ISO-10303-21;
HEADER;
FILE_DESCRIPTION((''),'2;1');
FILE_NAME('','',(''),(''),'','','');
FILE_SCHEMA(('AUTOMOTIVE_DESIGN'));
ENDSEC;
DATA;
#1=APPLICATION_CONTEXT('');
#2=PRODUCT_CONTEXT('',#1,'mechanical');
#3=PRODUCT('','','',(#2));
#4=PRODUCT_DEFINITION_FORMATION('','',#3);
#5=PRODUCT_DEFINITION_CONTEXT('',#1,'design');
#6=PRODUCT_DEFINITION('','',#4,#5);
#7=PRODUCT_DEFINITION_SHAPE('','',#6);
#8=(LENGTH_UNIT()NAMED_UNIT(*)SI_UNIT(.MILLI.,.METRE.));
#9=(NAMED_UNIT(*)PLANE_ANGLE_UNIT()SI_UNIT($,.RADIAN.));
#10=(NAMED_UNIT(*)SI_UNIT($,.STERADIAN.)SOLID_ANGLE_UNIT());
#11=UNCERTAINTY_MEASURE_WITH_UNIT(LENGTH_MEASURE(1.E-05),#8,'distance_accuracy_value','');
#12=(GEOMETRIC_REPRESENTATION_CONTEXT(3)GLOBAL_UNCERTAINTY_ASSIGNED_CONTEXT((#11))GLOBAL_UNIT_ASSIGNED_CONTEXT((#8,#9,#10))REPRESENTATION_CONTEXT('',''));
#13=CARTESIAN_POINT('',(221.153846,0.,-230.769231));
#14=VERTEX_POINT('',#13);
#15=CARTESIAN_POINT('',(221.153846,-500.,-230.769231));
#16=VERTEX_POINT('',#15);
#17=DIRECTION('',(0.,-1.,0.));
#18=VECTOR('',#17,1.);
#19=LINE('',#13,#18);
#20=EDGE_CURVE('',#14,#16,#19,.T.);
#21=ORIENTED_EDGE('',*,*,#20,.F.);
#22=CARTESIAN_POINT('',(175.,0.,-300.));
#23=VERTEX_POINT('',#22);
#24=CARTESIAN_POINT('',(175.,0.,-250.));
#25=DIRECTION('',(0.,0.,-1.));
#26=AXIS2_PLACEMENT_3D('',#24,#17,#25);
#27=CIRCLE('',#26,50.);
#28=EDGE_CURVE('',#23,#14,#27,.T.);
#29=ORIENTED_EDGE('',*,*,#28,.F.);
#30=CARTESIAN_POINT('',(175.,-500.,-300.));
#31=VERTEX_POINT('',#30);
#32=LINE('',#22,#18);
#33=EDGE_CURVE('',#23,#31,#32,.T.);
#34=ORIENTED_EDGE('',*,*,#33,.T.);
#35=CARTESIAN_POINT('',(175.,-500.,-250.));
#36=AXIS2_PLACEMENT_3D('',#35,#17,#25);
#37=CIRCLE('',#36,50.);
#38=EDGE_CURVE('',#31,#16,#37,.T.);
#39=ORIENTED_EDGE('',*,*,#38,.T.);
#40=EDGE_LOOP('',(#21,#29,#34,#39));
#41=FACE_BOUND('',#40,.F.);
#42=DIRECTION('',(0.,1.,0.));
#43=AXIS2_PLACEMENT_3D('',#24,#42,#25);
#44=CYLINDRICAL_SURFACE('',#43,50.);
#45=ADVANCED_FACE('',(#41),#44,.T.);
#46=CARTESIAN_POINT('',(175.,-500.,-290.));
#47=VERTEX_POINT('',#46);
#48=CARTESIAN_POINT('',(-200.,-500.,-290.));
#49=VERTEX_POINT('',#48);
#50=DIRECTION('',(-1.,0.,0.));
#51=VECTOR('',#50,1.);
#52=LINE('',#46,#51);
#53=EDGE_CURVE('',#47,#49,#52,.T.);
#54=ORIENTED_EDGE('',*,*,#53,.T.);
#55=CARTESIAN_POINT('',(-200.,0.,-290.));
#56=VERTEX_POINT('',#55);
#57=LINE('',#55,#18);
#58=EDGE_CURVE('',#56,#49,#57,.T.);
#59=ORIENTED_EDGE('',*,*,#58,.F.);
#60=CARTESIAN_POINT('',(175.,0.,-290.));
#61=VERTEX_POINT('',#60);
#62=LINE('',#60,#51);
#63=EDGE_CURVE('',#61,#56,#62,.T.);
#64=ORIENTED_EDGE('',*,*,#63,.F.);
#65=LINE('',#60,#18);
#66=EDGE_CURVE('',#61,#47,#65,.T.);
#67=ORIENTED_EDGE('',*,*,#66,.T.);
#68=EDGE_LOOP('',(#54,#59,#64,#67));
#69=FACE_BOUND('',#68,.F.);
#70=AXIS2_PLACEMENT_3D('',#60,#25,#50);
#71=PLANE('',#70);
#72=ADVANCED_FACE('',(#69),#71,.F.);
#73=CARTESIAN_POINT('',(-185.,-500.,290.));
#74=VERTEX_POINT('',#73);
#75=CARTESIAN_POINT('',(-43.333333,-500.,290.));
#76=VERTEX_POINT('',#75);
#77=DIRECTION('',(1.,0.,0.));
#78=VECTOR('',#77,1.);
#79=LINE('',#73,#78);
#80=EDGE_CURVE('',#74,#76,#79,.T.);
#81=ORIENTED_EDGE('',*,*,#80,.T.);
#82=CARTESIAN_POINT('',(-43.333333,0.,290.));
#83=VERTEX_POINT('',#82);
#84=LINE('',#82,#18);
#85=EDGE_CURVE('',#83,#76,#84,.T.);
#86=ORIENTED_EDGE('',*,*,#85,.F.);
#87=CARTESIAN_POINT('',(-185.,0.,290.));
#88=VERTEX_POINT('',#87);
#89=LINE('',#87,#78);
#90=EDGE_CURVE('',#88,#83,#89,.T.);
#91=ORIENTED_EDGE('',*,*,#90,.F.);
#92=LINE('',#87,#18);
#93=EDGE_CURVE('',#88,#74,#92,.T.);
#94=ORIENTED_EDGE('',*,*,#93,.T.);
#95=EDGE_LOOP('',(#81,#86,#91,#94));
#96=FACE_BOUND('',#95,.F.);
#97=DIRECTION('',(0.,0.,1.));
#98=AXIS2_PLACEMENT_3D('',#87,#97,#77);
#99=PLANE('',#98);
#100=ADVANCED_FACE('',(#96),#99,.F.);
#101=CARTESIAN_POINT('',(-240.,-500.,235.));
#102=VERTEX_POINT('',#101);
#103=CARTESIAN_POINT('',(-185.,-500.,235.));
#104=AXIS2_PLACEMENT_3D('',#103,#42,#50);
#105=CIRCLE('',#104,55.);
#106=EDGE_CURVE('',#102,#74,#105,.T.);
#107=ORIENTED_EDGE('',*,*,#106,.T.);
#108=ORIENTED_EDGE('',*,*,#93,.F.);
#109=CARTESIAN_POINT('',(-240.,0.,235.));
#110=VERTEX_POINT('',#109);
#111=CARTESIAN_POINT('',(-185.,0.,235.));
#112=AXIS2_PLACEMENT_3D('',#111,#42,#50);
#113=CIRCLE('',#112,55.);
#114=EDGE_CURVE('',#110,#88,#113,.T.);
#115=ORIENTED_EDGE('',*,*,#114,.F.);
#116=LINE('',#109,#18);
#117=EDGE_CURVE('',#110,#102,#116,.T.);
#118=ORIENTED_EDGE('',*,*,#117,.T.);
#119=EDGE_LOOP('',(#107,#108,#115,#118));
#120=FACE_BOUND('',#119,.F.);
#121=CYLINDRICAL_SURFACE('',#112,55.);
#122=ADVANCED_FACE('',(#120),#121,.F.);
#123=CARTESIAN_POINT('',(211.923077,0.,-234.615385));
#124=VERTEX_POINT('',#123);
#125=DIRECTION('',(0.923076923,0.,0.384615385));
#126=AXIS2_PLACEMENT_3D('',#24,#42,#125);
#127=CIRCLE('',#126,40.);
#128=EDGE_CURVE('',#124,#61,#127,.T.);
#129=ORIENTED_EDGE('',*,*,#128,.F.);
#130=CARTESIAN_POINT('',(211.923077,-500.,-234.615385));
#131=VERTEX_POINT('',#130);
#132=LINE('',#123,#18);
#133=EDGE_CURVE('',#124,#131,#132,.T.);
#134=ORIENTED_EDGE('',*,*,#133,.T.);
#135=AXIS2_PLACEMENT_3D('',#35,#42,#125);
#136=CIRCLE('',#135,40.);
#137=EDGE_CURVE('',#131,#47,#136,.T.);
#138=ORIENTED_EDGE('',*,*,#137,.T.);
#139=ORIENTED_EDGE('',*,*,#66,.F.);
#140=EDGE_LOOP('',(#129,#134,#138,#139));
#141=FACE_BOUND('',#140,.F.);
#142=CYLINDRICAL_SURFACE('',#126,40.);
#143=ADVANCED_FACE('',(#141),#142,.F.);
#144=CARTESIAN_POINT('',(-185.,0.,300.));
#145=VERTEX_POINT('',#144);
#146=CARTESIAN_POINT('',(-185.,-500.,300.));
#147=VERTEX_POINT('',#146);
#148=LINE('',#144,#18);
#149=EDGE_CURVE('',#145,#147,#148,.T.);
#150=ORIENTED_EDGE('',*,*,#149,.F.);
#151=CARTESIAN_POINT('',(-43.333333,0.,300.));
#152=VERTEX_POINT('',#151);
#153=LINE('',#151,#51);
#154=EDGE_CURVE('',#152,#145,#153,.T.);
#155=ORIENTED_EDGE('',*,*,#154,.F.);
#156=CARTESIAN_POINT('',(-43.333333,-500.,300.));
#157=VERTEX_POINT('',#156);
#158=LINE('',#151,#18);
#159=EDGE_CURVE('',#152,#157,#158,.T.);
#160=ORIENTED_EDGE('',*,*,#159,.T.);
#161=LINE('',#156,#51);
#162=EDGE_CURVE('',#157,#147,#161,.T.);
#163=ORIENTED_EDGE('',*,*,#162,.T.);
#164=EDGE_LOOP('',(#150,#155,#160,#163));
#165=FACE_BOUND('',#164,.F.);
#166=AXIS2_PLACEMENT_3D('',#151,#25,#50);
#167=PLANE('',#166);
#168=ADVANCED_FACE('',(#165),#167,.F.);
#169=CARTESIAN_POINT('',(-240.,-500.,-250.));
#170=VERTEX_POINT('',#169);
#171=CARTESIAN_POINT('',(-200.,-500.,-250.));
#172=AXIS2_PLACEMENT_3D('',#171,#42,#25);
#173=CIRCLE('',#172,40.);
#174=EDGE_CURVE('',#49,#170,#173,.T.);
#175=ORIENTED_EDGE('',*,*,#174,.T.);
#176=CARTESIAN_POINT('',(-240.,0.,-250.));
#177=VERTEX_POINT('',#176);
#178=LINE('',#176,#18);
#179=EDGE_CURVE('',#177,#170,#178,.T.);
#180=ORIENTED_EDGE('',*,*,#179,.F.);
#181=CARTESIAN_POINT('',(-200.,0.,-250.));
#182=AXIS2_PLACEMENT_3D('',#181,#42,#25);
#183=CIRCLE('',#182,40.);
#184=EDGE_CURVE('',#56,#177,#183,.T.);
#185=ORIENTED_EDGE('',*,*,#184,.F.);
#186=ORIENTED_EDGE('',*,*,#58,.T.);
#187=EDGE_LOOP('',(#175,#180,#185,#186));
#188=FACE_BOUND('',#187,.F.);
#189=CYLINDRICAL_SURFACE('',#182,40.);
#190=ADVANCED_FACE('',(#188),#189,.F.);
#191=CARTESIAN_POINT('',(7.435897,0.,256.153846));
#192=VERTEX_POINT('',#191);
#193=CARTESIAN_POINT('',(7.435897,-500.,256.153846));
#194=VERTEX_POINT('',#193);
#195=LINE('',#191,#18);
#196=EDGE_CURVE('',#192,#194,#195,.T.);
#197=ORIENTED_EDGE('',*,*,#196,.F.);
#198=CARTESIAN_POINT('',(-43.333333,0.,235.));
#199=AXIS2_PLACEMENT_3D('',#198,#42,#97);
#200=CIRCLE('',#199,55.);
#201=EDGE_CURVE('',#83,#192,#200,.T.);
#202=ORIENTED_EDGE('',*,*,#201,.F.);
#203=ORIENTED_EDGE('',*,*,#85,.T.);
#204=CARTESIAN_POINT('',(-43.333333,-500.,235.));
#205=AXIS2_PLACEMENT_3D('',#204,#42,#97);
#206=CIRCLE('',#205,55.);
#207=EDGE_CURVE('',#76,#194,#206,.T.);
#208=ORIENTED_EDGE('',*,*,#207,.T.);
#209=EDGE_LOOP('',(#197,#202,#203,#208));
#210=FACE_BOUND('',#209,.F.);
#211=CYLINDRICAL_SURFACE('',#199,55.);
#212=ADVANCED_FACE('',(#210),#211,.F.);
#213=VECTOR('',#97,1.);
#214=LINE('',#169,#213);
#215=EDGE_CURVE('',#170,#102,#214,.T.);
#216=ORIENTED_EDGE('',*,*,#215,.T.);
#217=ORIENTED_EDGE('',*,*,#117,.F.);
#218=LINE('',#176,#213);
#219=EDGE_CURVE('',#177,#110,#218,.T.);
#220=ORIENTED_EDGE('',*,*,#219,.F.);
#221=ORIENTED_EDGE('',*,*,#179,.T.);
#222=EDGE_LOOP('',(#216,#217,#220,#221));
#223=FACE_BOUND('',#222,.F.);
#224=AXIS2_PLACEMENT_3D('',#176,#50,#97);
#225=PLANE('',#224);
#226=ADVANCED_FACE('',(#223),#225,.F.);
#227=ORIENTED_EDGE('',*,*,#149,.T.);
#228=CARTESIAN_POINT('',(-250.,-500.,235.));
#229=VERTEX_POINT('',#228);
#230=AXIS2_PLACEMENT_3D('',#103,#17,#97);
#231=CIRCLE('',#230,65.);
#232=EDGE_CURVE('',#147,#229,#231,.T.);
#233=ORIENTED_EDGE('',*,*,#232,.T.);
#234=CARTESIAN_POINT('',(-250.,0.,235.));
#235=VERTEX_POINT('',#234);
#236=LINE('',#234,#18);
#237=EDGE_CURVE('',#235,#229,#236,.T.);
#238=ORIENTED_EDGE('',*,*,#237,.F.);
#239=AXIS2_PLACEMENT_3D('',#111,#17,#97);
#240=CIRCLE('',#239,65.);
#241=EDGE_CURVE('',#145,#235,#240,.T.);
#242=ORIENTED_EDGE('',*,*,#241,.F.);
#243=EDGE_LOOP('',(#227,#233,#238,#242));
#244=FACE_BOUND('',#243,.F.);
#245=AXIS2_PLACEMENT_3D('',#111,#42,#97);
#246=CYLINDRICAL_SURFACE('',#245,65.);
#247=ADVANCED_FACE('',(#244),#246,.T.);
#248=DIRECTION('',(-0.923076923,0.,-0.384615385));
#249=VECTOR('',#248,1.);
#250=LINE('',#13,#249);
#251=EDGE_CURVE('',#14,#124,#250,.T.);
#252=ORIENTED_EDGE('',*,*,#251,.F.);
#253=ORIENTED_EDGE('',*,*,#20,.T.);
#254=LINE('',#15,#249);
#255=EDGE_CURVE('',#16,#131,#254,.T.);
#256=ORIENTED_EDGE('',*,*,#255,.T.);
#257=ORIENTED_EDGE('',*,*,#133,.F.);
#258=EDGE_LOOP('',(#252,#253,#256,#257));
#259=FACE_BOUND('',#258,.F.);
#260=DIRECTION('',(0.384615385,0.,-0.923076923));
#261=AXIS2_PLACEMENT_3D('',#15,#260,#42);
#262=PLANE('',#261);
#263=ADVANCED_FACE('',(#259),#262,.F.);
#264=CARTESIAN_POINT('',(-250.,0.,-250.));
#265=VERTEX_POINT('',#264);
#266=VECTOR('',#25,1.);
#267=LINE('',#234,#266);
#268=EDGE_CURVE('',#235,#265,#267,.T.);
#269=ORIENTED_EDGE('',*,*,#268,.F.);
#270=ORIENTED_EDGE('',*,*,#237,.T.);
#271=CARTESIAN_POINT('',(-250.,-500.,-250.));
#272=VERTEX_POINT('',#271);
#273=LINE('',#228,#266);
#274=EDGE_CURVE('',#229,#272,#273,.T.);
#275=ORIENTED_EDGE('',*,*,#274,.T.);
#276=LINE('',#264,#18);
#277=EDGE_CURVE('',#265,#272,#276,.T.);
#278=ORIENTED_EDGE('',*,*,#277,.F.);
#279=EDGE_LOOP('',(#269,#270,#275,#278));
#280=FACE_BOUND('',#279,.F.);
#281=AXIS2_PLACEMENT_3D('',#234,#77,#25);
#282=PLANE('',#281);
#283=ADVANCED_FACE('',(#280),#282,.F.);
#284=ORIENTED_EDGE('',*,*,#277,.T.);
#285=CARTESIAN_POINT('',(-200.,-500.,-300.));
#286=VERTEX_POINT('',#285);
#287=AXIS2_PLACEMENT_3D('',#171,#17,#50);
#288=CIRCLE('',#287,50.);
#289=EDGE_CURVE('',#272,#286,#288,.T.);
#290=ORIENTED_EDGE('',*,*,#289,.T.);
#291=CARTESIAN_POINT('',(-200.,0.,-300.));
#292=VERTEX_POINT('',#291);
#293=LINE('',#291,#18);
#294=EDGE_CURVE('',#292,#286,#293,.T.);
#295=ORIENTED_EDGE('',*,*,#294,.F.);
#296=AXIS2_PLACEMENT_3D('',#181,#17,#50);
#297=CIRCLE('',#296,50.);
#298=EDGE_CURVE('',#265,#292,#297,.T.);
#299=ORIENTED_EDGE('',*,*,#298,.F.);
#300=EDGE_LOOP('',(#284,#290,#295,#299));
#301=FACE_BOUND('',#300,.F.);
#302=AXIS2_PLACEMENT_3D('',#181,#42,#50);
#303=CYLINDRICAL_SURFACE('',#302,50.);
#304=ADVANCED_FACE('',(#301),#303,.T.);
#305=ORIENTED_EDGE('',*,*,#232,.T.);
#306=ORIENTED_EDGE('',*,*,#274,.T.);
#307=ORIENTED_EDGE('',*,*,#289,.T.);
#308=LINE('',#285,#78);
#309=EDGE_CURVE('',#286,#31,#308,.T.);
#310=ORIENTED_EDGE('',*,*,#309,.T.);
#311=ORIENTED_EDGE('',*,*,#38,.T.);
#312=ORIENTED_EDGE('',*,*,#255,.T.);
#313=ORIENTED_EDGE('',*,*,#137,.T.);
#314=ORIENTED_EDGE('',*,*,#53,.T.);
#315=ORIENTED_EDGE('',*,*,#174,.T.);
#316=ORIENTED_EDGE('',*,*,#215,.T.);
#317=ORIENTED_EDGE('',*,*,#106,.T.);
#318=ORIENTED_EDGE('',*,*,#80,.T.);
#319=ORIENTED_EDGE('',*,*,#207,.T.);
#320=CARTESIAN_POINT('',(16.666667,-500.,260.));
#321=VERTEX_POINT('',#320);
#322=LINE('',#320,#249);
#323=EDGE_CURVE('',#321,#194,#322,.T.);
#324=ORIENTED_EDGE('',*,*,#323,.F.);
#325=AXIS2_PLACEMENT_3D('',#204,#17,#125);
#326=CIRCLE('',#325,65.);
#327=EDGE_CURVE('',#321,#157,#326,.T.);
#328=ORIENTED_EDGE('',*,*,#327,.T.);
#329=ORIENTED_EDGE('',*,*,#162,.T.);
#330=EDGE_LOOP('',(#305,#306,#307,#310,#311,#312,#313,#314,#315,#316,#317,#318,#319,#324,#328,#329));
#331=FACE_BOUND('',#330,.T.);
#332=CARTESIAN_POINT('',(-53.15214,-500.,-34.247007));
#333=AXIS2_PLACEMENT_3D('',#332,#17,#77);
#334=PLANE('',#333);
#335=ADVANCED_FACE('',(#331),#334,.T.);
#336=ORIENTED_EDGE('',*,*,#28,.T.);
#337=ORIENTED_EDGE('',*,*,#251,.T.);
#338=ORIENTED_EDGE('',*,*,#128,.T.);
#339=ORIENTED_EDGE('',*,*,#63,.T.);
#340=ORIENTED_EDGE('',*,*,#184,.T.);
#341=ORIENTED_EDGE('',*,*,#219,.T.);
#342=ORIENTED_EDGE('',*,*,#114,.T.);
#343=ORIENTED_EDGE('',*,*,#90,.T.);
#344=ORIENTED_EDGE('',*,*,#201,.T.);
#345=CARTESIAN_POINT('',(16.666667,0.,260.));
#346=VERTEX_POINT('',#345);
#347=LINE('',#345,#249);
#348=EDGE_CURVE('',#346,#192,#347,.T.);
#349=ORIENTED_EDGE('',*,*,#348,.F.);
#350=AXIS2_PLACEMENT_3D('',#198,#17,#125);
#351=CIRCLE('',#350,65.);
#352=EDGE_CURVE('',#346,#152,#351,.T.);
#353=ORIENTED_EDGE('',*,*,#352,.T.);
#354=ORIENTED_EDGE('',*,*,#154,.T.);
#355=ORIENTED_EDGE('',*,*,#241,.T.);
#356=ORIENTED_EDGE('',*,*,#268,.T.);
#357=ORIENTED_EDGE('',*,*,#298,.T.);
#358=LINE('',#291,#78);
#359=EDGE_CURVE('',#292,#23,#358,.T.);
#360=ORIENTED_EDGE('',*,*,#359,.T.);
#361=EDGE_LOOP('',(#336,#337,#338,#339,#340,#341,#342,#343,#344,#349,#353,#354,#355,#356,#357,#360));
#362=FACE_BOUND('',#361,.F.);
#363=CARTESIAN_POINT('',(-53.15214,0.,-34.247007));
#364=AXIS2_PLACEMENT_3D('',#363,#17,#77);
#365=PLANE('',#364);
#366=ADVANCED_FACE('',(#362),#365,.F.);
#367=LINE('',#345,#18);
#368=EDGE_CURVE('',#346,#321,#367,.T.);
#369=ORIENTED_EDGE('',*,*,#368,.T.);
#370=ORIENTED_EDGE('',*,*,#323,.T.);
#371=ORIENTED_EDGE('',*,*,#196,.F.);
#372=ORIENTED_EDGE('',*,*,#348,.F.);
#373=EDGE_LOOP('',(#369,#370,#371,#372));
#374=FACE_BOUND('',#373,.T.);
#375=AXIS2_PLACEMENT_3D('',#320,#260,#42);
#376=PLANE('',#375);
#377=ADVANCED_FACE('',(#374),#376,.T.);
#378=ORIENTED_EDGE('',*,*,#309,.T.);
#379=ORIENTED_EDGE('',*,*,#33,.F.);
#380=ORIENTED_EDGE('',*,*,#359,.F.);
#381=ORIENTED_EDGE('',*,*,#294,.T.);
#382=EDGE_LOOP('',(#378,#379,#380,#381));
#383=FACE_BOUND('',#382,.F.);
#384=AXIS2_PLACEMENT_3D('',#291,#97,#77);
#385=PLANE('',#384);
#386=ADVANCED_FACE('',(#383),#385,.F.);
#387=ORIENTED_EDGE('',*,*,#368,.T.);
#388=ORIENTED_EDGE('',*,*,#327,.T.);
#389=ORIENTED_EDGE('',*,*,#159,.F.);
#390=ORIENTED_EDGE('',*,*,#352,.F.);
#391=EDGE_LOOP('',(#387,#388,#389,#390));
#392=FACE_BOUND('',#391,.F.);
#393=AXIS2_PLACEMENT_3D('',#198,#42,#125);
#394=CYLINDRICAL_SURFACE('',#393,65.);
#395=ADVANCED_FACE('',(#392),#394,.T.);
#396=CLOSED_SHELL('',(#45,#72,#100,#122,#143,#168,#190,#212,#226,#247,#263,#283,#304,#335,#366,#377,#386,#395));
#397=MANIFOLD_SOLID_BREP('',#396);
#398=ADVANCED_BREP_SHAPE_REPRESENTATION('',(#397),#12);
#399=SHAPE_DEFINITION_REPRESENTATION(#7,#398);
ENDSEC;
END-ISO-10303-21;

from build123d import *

# Parameters (mm, degrees)
F1_DEPTH = 500
F2_W     = 500
F2_H     = 531.6666666667
F3_DEPTH = 25


with BuildPart() as f1:
    # F0 (on Front) → F1 (new body)
    with BuildSketch(Plane.XZ):
        with BuildLine():
            Line((-43.3333333333, 300), (-185, 300))
            ThreePointArc((-185, 300), (-230.9619407771, 280.9619407771), (-250, 235))
            Line((-250, 235), (-250, -250))
            ThreePointArc((-250, -250), (-235.3553390593, -285.3553390593), (-200, -300))
            Line((-200, -300), (175, -300))
            ThreePointArc((175, -300), (216.6025147169, -277.7350098113), (221.1538461538, -230.7692307692))
            Line((221.1538461538, -230.7692307692), (16.6666666667, 260))
            ThreePointArc((16.6666666667, 260), (-7.2778205787, 289.083269132), (-43.3333333333, 300))
        make_face()
        with BuildLine():
            ThreePointArc((-240, 235), (-223.8908729653, 273.8908729653), (-185, 290))
            Line((-185, 290), (-43.3333333333, 290))
            ThreePointArc((-43.3333333333, 290), (-12.8248225409, 280.7627661886), (7.4358974359, 256.1538461538))
            Line((7.4358974359, 256.1538461538), (211.9230769231, -234.6153846154))
            ThreePointArc((211.9230769231, -234.6153846154), (208.2820117735, -272.188007849), (175, -290))
            Line((175, -290), (-200, -290))
            ThreePointArc((-200, -290), (-228.2842712475, -278.2842712475), (-240, -250))
            Line((-240, -250), (-240, 235))
        make_face(mode=Mode.SUBTRACT)
    extrude(amount=F1_DEPTH)

    # F2 (on face) → F3 (cut)
    with BuildSketch(Plane(origin=(106.5088757396, 0, 44.3786982249), x_dir=(0, 1, 0), z_dir=(0.9230769231, 0, 0.3846153846))):
        with Locations((-250, -32.2435897436)):
            Rectangle(F2_W, F2_H)
    extrude(amount=-F3_DEPTH, mode=Mode.SUBTRACT)


solid = f1.part
